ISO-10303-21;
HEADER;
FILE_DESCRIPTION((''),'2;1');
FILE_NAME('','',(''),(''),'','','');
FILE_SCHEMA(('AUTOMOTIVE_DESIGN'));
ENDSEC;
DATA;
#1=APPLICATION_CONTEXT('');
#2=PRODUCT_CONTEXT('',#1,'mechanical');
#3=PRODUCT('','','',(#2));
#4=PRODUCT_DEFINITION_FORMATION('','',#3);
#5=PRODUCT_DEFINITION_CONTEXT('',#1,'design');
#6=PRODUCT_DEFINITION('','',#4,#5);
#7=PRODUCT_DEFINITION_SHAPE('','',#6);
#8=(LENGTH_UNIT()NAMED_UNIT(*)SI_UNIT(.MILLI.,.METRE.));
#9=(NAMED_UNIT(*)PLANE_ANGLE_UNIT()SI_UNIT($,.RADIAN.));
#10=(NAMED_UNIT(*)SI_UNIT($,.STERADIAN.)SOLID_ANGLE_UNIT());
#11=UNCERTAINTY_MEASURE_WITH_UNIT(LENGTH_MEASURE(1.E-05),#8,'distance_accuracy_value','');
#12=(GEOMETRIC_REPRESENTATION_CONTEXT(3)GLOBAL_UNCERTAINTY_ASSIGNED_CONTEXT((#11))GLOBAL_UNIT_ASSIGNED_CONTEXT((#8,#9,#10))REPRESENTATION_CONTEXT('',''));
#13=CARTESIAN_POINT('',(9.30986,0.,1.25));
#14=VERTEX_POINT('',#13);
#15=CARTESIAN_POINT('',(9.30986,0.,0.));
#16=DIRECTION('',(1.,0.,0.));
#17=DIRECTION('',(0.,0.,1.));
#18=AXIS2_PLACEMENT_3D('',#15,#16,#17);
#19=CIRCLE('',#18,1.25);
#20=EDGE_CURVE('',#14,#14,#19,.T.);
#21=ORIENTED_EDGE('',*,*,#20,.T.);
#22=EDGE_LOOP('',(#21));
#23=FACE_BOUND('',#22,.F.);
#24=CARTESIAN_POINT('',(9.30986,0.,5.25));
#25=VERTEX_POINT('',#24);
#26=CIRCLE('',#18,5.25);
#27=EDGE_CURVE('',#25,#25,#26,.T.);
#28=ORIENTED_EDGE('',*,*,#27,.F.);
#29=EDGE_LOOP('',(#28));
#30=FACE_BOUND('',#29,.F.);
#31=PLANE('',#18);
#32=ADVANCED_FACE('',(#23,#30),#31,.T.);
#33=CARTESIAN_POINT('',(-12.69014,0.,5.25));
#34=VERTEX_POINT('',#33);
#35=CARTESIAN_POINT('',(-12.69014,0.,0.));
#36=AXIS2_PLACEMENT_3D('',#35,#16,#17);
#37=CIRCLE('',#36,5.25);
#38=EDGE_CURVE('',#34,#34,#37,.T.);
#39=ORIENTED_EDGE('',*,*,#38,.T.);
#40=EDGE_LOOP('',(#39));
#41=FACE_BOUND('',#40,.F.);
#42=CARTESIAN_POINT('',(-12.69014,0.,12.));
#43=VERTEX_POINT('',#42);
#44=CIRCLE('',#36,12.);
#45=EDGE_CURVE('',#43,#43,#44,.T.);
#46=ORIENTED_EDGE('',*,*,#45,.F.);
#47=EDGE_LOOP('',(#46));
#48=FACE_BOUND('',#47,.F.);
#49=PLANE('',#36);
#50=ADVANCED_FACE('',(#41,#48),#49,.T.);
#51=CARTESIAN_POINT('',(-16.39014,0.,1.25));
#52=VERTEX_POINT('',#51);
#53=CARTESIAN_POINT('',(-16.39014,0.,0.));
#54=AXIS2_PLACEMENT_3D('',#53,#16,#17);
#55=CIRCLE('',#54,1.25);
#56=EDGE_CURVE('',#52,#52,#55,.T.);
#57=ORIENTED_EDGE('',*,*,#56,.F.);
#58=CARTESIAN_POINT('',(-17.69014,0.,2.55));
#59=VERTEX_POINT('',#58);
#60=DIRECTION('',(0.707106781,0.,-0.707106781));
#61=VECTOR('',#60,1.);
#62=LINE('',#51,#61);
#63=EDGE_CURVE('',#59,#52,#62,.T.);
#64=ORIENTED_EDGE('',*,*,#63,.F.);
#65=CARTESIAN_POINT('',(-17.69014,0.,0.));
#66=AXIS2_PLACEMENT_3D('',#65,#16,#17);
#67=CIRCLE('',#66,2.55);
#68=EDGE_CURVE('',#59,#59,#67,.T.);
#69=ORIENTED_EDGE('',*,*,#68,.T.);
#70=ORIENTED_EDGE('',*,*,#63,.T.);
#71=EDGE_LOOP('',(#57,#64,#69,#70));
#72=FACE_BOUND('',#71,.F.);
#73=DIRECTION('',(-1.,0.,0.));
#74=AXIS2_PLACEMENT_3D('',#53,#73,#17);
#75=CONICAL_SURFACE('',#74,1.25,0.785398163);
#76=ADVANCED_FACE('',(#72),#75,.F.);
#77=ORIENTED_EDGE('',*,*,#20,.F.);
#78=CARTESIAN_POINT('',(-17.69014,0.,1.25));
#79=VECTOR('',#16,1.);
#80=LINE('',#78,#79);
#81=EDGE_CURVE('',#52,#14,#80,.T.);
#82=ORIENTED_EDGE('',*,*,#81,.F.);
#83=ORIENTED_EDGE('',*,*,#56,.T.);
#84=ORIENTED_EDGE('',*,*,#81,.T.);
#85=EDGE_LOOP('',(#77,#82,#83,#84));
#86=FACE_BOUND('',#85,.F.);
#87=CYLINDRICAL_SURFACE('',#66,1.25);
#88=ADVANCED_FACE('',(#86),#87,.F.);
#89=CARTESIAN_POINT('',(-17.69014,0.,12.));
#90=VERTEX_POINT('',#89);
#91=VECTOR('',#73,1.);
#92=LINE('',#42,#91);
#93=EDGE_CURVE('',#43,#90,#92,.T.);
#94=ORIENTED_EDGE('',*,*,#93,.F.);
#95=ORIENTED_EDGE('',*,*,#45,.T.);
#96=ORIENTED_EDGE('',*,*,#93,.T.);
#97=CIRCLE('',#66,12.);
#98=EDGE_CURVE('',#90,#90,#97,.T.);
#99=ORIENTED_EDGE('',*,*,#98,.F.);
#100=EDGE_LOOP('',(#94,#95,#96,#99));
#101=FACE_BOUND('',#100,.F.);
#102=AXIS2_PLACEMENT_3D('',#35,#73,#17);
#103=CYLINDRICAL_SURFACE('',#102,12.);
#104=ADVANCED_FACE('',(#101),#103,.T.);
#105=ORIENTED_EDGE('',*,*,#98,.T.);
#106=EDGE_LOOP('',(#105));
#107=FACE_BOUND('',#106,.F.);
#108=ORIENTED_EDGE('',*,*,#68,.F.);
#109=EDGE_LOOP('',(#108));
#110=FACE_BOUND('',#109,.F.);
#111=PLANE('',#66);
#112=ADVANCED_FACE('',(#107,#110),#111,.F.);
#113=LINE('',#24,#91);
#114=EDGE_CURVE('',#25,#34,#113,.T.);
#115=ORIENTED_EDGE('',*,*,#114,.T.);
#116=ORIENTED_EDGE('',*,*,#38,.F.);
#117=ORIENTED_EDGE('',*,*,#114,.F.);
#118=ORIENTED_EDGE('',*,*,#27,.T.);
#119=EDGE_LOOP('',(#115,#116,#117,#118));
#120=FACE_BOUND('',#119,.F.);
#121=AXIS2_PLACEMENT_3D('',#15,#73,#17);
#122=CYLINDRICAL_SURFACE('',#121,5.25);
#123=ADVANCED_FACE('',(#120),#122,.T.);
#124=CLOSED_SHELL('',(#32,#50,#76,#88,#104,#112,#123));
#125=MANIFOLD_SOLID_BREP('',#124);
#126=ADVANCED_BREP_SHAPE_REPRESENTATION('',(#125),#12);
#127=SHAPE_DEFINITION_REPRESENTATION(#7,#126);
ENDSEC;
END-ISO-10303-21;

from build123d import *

# Parameters (mm, degrees)
F2_SIZE = 1.3


with BuildPart() as f1:
    # F0 (on Front) → F1 (revolve)
    with BuildSketch(Plane.XZ):
        Polygon((-17.69014, 12), (-17.69014, 1.25), (9.30986, 1.25), (9.30986, 5.25), (-12.69014, 5.25), (-12.69014, 12), align=None)
    revolve(axis=Axis((-2.74572, 0, 0), (1, 0, 0)))

    # F2
    f2_edges = [f1.edges().sort_by_distance(p)[0] for p in [
        (-17.69014, 0, -1.25),
    ]]
    chamfer(f2_edges, length=F2_SIZE)


solid = f1.part
